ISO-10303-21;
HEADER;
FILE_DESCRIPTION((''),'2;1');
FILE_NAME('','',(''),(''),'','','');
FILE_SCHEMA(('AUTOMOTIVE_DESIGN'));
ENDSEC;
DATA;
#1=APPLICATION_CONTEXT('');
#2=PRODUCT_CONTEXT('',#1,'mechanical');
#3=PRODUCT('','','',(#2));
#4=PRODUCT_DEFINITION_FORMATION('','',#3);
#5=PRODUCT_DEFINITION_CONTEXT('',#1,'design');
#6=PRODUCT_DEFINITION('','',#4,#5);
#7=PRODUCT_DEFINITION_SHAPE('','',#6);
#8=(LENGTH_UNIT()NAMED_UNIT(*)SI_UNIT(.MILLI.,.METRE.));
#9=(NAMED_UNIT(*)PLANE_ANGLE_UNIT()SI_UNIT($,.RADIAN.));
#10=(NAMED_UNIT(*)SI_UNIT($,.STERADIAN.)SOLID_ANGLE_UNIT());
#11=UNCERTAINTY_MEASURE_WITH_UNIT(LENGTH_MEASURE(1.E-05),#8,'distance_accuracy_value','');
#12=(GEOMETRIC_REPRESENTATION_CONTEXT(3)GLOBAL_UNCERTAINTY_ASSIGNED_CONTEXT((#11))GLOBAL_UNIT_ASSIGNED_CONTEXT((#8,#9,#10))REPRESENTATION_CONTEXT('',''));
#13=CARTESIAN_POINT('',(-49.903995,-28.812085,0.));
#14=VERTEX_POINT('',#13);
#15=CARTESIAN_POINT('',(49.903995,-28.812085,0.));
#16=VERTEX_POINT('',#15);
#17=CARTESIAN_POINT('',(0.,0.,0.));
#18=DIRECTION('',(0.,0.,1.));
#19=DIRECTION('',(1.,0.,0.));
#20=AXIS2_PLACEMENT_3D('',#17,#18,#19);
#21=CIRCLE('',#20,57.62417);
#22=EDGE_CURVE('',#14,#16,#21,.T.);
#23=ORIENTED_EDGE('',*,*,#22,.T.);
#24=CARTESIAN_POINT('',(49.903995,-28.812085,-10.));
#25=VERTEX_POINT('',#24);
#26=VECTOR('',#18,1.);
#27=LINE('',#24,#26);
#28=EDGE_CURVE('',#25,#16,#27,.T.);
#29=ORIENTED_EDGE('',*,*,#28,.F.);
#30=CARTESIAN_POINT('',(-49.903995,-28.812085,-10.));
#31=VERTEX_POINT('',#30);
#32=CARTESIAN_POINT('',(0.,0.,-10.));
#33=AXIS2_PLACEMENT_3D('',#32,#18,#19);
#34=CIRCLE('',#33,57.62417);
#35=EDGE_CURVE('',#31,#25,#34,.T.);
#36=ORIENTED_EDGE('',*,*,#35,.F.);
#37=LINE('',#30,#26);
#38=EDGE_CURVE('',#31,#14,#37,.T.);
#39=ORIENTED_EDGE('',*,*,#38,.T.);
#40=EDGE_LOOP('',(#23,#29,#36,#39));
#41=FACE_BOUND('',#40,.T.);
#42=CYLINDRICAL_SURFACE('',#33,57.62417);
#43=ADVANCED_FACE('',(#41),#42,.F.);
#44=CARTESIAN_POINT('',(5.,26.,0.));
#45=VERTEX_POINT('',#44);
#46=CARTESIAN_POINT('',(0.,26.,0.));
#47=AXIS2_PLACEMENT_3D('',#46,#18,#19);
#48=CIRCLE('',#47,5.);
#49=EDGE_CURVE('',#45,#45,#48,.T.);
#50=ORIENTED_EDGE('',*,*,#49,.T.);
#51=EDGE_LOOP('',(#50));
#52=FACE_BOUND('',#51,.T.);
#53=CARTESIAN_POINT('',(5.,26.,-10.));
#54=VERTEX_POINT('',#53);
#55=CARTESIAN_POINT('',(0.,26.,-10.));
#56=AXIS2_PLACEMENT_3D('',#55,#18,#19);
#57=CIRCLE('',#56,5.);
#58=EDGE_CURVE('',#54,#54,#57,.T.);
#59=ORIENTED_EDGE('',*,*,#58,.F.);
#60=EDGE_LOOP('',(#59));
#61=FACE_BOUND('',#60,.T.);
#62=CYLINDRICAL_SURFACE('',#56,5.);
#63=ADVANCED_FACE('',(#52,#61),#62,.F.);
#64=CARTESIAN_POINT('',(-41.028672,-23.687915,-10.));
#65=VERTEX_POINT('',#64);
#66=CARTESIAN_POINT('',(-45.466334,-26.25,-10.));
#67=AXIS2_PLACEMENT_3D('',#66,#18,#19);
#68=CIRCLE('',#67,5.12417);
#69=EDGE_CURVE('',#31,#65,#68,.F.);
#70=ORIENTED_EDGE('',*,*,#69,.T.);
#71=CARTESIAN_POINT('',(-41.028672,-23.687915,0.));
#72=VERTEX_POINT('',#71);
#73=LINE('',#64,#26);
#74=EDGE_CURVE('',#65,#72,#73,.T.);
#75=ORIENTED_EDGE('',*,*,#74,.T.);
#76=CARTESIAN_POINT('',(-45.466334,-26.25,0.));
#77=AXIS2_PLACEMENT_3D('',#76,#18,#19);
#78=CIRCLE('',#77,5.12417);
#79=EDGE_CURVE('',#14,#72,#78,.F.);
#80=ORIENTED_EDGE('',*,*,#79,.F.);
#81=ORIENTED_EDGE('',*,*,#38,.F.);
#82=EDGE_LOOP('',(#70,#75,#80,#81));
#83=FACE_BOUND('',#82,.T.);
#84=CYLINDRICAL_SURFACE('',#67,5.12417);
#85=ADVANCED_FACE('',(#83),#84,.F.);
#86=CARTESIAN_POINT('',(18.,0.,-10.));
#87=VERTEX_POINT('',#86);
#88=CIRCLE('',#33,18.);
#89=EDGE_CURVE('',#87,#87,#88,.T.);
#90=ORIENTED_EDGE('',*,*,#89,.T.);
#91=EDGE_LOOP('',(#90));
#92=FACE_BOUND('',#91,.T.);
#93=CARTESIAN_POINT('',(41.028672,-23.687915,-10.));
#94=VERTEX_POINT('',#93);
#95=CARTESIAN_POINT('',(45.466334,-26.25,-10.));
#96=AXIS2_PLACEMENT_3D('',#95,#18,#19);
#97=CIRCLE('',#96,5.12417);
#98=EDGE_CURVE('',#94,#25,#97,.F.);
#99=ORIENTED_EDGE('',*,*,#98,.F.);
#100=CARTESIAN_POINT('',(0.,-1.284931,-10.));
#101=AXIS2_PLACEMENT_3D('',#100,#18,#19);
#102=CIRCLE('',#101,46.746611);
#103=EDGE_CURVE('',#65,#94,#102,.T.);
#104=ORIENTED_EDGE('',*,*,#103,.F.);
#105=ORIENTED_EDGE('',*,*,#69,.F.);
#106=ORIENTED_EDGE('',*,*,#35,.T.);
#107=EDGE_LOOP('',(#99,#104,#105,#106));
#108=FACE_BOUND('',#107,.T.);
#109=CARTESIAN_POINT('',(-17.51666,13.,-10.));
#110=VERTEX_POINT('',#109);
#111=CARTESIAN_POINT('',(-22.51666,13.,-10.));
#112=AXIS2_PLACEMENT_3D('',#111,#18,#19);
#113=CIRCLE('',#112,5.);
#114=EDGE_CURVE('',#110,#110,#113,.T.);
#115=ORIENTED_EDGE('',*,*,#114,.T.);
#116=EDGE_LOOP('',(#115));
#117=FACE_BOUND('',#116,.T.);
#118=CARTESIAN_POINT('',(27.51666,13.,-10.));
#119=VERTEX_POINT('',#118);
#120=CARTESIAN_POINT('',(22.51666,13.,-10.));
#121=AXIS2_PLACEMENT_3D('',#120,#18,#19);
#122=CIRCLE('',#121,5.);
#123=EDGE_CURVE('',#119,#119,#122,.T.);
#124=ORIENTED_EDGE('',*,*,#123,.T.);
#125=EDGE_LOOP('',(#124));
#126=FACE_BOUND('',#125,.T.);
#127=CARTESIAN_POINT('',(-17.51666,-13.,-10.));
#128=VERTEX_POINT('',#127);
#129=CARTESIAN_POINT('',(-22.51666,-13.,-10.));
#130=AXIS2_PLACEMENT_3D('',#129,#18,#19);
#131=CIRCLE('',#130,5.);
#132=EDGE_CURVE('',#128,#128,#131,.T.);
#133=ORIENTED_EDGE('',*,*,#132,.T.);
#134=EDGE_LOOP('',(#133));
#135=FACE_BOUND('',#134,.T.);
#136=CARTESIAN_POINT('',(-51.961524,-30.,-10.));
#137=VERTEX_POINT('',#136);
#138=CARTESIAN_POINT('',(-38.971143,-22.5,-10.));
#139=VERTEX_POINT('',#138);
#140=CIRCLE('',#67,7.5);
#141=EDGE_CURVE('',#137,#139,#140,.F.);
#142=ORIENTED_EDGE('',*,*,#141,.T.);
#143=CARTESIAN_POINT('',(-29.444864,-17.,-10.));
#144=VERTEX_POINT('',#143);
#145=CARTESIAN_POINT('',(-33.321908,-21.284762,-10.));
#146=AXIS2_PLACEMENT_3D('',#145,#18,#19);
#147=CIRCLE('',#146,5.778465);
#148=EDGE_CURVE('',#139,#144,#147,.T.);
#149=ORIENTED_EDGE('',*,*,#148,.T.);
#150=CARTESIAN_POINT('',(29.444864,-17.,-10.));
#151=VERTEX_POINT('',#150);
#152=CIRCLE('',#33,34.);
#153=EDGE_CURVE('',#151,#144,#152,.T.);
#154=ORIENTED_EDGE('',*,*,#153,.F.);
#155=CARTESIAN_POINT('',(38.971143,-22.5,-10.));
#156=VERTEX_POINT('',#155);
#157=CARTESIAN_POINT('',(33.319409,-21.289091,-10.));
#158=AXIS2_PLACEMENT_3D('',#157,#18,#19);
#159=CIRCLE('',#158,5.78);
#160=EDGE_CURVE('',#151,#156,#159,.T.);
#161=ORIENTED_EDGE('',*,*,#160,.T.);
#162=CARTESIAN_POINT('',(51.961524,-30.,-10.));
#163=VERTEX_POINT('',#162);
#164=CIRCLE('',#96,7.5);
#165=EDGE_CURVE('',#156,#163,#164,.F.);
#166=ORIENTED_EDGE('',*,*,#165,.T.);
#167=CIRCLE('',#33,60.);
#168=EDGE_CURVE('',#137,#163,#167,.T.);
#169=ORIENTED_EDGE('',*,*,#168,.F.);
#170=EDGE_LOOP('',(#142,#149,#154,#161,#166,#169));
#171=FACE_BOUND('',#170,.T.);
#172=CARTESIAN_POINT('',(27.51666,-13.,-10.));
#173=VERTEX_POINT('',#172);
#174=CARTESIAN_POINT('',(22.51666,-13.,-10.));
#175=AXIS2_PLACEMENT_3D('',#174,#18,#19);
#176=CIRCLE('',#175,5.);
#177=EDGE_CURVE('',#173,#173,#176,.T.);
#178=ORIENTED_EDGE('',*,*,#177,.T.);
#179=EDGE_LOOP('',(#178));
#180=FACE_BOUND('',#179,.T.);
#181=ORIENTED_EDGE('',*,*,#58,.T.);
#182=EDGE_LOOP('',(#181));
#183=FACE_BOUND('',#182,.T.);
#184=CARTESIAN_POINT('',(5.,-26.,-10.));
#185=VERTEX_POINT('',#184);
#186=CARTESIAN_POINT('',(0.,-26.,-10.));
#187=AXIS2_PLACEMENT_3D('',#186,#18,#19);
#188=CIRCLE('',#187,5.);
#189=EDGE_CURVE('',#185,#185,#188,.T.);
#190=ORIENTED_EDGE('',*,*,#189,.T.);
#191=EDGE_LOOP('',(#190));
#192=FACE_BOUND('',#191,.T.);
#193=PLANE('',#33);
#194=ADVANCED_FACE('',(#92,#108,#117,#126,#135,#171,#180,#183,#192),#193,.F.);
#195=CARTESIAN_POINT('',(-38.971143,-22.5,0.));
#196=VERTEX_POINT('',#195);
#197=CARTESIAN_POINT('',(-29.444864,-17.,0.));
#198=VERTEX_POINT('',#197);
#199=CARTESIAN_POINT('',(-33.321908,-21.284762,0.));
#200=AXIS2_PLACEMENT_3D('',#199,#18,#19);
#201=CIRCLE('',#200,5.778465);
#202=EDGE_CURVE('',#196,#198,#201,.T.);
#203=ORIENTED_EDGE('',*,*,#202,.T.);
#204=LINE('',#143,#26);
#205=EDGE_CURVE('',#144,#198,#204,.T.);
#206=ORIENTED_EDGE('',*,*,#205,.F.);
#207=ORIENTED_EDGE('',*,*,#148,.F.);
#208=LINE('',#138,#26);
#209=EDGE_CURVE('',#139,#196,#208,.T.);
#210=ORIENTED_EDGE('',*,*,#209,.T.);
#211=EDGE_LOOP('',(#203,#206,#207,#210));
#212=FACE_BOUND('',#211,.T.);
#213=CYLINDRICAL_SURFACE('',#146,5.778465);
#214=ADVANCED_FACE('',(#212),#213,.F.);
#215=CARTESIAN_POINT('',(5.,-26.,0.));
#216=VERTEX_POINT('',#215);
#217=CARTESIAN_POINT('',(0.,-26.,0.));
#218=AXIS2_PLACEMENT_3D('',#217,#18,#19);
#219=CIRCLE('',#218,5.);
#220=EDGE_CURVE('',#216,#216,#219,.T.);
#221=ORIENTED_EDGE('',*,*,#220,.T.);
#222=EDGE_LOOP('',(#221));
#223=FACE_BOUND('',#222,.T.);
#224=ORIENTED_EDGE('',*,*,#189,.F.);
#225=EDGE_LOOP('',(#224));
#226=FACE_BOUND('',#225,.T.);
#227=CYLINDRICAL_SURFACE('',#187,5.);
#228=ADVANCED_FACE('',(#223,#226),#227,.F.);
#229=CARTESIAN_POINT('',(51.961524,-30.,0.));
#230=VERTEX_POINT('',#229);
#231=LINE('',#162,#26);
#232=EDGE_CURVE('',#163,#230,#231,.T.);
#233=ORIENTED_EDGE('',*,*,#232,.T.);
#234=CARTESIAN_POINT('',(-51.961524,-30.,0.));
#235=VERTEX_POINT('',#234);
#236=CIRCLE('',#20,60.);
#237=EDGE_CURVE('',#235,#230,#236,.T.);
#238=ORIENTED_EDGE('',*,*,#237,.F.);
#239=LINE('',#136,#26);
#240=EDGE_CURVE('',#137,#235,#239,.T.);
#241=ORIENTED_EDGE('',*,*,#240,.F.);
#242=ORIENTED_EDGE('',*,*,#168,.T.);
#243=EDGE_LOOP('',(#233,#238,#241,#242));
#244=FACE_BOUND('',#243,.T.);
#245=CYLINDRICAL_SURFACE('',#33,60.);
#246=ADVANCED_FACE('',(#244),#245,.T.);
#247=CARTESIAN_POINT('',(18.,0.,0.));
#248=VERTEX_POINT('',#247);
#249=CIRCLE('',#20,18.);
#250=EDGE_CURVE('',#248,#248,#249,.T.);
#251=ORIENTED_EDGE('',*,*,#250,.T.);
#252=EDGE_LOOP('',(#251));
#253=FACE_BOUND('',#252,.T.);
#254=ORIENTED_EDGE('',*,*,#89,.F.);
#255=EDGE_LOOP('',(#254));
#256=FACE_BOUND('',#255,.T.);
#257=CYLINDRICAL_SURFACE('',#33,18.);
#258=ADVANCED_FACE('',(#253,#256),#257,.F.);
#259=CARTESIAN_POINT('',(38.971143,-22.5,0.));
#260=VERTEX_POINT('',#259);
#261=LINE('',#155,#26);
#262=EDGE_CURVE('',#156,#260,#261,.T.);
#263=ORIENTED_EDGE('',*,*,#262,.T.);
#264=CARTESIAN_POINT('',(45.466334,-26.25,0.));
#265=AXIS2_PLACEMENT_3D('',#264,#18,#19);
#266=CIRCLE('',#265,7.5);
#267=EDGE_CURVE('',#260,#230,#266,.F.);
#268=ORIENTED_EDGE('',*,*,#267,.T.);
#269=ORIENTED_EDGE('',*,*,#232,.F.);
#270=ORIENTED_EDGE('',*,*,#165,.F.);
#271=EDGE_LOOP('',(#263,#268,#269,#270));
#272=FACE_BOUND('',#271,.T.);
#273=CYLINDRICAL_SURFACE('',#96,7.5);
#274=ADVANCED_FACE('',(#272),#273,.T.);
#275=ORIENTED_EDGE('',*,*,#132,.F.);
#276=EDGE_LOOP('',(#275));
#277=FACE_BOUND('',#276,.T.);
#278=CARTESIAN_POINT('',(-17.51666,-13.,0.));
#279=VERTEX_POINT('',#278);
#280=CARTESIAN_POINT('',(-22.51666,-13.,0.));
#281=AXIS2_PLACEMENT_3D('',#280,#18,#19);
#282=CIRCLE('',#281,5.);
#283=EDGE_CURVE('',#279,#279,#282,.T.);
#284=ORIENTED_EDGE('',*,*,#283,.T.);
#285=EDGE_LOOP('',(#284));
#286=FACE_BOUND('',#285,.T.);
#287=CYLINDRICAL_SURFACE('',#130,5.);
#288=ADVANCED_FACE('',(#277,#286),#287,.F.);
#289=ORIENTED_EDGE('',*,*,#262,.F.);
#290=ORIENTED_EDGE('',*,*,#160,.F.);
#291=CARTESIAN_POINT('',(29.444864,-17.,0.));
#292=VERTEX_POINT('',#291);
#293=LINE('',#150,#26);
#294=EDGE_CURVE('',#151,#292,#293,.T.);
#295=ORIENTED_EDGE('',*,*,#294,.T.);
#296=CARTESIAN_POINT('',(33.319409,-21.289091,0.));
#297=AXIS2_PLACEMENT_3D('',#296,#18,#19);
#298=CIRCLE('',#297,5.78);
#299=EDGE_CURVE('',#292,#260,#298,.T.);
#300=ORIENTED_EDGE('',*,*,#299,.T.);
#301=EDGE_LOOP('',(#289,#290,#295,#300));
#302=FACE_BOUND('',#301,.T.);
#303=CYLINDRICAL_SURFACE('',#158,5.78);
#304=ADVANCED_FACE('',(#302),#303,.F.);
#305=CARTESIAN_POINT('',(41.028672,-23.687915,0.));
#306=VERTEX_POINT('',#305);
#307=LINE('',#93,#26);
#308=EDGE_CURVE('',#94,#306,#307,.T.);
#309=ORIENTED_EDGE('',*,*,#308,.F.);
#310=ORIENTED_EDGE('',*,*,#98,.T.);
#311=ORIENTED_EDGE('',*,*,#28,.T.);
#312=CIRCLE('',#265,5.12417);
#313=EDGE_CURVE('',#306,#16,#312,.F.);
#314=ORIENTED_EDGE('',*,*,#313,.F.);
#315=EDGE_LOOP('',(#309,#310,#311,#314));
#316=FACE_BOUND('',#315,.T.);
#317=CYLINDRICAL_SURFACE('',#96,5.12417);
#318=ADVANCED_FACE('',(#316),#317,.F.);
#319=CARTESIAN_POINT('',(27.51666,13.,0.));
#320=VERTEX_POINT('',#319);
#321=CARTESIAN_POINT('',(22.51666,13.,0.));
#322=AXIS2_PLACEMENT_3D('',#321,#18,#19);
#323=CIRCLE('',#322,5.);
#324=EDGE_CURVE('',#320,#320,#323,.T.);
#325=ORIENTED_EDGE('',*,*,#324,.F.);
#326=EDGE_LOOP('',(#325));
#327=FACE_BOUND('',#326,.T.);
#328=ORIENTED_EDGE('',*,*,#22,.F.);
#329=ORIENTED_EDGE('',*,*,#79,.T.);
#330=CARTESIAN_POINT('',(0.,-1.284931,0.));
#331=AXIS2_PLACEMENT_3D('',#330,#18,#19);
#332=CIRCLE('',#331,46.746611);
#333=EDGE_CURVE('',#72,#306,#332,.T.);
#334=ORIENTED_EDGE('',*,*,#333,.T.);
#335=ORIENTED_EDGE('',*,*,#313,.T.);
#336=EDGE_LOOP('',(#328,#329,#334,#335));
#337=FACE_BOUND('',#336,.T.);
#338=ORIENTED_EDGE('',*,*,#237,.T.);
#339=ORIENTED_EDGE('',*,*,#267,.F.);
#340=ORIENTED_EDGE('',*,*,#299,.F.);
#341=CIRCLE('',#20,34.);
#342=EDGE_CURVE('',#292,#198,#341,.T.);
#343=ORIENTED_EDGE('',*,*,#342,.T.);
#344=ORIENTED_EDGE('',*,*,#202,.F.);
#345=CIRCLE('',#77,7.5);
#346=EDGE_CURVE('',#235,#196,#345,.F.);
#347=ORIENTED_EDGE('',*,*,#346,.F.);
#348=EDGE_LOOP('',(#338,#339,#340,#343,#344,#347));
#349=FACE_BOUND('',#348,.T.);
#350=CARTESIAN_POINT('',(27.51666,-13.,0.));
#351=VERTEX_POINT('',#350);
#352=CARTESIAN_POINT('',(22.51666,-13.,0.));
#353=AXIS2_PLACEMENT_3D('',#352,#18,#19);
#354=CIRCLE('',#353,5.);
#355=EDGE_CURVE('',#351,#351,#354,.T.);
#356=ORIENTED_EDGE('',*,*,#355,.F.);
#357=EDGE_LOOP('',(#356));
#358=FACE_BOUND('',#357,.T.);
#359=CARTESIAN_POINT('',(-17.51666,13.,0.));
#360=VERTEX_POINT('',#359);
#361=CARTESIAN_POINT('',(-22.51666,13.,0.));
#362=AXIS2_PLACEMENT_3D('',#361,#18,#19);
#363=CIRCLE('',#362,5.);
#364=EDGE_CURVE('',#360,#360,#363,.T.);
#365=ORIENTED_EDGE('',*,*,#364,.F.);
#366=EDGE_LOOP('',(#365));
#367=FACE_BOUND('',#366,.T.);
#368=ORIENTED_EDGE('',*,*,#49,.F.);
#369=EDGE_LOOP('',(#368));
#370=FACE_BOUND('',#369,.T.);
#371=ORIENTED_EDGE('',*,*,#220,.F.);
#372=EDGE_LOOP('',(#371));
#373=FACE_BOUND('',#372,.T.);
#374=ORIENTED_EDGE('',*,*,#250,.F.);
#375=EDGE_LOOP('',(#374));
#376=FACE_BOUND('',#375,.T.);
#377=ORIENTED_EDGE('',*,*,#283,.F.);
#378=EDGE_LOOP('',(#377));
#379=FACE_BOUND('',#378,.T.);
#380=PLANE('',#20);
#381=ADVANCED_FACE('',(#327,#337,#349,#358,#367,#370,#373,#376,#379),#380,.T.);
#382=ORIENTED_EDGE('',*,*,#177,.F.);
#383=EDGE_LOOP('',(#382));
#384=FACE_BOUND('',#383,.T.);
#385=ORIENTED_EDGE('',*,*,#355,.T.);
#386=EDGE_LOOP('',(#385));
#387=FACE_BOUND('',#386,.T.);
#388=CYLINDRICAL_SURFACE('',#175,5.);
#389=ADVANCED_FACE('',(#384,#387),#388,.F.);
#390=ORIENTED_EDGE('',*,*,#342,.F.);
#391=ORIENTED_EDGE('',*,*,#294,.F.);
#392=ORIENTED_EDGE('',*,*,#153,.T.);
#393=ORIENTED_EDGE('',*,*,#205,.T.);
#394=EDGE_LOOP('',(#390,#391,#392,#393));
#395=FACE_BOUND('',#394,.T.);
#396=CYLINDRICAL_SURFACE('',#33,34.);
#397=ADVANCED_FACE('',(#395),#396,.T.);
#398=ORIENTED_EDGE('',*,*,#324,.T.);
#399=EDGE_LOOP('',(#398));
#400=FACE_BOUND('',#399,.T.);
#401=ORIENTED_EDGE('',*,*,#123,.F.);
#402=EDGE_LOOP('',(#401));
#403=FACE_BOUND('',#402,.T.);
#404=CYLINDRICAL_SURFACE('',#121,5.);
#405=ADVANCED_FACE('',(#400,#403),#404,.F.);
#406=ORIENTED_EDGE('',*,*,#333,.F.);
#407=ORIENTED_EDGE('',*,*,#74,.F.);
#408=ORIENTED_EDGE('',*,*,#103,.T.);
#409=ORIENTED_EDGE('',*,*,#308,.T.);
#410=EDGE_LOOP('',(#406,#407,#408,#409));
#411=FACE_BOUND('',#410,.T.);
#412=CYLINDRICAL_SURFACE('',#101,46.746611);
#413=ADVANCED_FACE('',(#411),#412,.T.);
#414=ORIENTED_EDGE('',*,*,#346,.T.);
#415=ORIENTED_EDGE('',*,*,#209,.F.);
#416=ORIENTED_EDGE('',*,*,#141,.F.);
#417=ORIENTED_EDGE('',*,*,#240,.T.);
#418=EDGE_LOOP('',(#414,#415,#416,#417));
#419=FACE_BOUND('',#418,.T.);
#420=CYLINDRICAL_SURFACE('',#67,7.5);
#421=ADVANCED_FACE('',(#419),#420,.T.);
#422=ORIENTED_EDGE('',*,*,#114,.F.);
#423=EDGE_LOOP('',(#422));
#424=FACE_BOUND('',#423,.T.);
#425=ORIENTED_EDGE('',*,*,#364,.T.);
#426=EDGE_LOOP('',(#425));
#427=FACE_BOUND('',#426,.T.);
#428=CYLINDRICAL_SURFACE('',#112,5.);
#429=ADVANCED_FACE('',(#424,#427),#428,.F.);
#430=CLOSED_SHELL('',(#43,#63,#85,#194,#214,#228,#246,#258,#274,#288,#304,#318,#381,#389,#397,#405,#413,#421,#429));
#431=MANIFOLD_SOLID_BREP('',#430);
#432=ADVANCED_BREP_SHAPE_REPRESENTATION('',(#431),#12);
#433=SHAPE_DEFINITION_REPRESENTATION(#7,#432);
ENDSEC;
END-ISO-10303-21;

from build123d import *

# Parameters (mm, degrees)
SKETCH2_R           = 5
SKETCH2_R_2         = 18
BOSS_EXTRUDE1_DEPTH = 10


with BuildPart() as part:
    # Sketch2 → Boss-Extrude1 (new body)
    with BuildSketch(Plane.XY):
        with BuildLine():
            ThreePointArc((29.444863729, -17), (0, 34), (-29.444863729, -17))
            ThreePointArc((-29.444863729, -17), (-30.432675575, -26.289059694), (-38.97114317, -22.5))
            ThreePointArc((-38.97114317, -22.5), (-49.216333699, -19.754809472), (-51.961524227, -30))
            ThreePointArc((-51.961524227, -30), (0, -60), (51.961524227, -30))
            ThreePointArc((51.961524227, -30), (49.216333699, -19.754809472), (38.97114317, -22.5))
            ThreePointArc((38.97114317, -22.5), (30.429409054, -26.294717474), (29.444863729, -17))
        make_face()
        with Locations((22.516660498, -13)):
            Circle(SKETCH2_R, mode=Mode.SUBTRACT)
        with Locations((0, -26)):
            Circle(SKETCH2_R, mode=Mode.SUBTRACT)
        with Locations((-22.516660498, -13)):
            Circle(SKETCH2_R, mode=Mode.SUBTRACT)
        with Locations((-22.516660498, 13)):
            Circle(SKETCH2_R, mode=Mode.SUBTRACT)
        with Locations((0, 26)):
            Circle(SKETCH2_R, mode=Mode.SUBTRACT)
        with Locations((22.516660498, 13)):
            Circle(SKETCH2_R, mode=Mode.SUBTRACT)
        with BuildLine():
            ThreePointArc((-49.903995186, -28.812085055), (-48.028418753, -21.812338512), (-41.028672211, -23.687914945))
            ThreePointArc((-41.028672211, -23.687914945), (0, -48.031541814), (41.028672211, -23.687914945))
            ThreePointArc((41.028672211, -23.687914945), (48.028418753, -21.812338512), (49.903995186, -28.812085055))
            ThreePointArc((49.903995186, -28.812085055), (0, -57.624170109), (-49.903995186, -28.812085055))
        make_face(mode=Mode.SUBTRACT)
        Circle(SKETCH2_R_2, mode=Mode.SUBTRACT)
    extrude(amount=-BOSS_EXTRUDE1_DEPTH)


solid = part.part
